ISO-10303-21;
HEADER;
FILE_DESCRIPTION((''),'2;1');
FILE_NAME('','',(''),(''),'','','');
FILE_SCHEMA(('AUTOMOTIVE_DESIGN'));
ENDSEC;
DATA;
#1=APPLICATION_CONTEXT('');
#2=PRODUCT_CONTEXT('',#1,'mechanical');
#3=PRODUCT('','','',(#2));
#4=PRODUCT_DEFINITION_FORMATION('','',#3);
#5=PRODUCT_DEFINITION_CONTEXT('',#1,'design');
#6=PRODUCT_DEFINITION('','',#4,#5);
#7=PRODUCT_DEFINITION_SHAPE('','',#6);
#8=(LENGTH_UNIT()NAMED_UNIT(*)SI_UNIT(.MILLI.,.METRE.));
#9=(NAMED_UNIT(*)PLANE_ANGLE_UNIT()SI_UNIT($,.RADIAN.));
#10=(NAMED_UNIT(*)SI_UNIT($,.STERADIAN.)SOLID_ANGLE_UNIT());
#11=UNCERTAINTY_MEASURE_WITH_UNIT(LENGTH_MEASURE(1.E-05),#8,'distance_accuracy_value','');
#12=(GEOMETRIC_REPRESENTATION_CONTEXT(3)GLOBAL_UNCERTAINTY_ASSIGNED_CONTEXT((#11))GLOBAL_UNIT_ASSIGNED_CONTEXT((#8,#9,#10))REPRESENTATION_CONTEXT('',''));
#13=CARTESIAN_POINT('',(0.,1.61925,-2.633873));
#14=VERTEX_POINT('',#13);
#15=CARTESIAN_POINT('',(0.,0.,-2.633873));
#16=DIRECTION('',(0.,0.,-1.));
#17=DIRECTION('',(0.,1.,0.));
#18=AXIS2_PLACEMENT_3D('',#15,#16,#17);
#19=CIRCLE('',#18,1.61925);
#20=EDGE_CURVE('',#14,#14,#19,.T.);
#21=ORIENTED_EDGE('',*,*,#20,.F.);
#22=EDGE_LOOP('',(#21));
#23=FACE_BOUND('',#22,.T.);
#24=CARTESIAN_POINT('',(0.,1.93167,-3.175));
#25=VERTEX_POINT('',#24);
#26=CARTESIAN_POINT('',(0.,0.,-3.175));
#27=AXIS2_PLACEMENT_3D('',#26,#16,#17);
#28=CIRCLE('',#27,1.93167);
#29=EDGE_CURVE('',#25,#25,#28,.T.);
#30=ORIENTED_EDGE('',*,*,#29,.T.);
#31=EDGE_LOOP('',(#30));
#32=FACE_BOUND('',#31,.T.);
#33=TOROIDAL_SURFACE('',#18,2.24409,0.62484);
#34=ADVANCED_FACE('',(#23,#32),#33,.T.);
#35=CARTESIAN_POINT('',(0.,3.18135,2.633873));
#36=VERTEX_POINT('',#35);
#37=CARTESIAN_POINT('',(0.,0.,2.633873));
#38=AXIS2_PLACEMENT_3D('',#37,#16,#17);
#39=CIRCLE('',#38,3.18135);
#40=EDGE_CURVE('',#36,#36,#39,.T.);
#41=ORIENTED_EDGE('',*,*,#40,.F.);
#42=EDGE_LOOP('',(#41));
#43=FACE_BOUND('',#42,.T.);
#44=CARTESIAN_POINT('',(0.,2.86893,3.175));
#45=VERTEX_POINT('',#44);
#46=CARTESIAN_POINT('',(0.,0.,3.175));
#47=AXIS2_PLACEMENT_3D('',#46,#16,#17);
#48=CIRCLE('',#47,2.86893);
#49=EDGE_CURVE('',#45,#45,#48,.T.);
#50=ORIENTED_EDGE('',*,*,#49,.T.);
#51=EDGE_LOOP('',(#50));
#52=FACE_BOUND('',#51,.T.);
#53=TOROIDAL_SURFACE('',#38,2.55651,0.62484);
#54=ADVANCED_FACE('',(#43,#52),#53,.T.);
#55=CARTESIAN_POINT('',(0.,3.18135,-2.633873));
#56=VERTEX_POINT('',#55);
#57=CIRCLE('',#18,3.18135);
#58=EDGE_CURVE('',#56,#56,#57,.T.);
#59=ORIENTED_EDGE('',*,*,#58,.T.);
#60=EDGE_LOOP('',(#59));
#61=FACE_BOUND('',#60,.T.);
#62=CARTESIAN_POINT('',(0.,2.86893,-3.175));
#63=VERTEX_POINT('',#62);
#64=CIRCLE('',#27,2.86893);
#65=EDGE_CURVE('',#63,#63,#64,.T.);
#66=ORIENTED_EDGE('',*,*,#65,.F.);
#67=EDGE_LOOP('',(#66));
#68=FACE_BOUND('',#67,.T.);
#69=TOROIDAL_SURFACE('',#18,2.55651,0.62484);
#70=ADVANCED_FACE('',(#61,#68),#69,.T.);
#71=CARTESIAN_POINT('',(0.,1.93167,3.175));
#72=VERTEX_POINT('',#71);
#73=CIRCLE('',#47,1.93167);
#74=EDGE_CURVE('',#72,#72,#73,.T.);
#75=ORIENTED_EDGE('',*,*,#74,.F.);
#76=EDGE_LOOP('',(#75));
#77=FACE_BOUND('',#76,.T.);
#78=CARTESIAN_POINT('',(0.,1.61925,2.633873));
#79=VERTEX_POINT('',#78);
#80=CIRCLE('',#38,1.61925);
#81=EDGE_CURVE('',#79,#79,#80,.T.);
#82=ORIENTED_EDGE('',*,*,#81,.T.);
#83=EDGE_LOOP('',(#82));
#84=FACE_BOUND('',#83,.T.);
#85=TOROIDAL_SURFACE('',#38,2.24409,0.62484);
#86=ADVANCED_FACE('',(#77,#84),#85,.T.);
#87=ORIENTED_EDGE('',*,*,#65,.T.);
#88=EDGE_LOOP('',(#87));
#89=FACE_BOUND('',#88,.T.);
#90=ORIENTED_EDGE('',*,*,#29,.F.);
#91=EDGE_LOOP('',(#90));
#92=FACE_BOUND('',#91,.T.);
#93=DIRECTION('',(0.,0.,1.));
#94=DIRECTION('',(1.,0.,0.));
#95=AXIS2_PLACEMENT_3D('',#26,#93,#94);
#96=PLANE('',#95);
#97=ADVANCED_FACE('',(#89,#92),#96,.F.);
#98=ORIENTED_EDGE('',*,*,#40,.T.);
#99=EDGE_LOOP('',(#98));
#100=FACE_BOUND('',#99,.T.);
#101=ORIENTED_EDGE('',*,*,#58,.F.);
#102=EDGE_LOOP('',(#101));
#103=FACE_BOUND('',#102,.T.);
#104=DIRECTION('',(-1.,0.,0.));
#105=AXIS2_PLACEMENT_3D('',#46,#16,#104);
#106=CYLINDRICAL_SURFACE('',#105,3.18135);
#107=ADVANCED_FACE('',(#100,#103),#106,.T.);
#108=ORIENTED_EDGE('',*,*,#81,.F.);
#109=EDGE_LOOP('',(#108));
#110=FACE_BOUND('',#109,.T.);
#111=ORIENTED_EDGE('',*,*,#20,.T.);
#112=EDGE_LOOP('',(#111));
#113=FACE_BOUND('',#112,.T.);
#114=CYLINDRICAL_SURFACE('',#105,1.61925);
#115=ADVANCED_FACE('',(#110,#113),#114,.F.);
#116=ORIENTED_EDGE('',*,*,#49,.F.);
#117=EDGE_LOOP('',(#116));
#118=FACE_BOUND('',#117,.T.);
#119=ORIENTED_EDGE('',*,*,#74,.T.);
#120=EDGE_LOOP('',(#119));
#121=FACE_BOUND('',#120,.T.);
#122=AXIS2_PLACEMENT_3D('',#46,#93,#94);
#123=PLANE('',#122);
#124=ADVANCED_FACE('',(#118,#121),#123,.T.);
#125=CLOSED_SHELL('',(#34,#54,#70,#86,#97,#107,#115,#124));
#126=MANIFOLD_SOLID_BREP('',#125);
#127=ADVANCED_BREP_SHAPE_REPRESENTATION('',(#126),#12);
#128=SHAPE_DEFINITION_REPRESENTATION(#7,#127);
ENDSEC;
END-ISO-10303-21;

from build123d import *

# Parameters (mm, degrees)
SKETCH3_R           = 3.18135
SKETCH3_R_2         = 1.61925
BOSS_EXTRUDE1_DEPTH = 3.175


with BuildPart() as part:
    # Sketch3 → Boss-Extrude1 (new, symmetric)
    with BuildSketch(Plane.XY):
        Circle(SKETCH3_R)
        Circle(SKETCH3_R_2, mode=Mode.SUBTRACT)
    extrude(amount=BOSS_EXTRUDE1_DEPTH, both=True)

    # Sketch4 → Cut-Revolve1 (revolve, cut)
    with BuildSketch(Plane(origin=(0, 0, 0), x_dir=(0, 0, -1), z_dir=(1, 0, 0))):
        with BuildLine():
            Line((-2.633872687, 3.18135), (-3.175, 3.18135))
            Line((-3.175, 3.18135), (-3.175, 2.86893))
            ThreePointArc((-3.175, 2.86893), (-2.946292687, 3.097637313), (-2.633872687, 3.18135))
        make_face()
        with BuildLine():
            Line((-2.633872687, 1.61925), (-3.175, 1.61925))
            Line((-3.175, 1.61925), (-3.175, 1.93167))
            ThreePointArc((-3.175, 1.93167), (-2.946292687, 1.702962687), (-2.633872687, 1.61925))
        make_face()
        with BuildLine():
            Line((3.175, 1.61925), (3.175, 1.93167))
            ThreePointArc((3.175, 1.93167), (2.946292687, 1.702962687), (2.633872687, 1.61925))
            Line((2.633872687, 1.61925), (3.175, 1.61925))
        make_face()
        with BuildLine():
            Line((3.175, 3.18135), (3.175, 2.86893))
            ThreePointArc((3.175, 2.86893), (2.946292687, 3.097637313), (2.633872687, 3.18135))
            Line((2.633872687, 3.18135), (3.175, 3.18135))
        make_face()
    revolve(axis=Axis((0, 0, -3.175), (0, 0, 1)), mode=Mode.SUBTRACT)


solid = part.part
